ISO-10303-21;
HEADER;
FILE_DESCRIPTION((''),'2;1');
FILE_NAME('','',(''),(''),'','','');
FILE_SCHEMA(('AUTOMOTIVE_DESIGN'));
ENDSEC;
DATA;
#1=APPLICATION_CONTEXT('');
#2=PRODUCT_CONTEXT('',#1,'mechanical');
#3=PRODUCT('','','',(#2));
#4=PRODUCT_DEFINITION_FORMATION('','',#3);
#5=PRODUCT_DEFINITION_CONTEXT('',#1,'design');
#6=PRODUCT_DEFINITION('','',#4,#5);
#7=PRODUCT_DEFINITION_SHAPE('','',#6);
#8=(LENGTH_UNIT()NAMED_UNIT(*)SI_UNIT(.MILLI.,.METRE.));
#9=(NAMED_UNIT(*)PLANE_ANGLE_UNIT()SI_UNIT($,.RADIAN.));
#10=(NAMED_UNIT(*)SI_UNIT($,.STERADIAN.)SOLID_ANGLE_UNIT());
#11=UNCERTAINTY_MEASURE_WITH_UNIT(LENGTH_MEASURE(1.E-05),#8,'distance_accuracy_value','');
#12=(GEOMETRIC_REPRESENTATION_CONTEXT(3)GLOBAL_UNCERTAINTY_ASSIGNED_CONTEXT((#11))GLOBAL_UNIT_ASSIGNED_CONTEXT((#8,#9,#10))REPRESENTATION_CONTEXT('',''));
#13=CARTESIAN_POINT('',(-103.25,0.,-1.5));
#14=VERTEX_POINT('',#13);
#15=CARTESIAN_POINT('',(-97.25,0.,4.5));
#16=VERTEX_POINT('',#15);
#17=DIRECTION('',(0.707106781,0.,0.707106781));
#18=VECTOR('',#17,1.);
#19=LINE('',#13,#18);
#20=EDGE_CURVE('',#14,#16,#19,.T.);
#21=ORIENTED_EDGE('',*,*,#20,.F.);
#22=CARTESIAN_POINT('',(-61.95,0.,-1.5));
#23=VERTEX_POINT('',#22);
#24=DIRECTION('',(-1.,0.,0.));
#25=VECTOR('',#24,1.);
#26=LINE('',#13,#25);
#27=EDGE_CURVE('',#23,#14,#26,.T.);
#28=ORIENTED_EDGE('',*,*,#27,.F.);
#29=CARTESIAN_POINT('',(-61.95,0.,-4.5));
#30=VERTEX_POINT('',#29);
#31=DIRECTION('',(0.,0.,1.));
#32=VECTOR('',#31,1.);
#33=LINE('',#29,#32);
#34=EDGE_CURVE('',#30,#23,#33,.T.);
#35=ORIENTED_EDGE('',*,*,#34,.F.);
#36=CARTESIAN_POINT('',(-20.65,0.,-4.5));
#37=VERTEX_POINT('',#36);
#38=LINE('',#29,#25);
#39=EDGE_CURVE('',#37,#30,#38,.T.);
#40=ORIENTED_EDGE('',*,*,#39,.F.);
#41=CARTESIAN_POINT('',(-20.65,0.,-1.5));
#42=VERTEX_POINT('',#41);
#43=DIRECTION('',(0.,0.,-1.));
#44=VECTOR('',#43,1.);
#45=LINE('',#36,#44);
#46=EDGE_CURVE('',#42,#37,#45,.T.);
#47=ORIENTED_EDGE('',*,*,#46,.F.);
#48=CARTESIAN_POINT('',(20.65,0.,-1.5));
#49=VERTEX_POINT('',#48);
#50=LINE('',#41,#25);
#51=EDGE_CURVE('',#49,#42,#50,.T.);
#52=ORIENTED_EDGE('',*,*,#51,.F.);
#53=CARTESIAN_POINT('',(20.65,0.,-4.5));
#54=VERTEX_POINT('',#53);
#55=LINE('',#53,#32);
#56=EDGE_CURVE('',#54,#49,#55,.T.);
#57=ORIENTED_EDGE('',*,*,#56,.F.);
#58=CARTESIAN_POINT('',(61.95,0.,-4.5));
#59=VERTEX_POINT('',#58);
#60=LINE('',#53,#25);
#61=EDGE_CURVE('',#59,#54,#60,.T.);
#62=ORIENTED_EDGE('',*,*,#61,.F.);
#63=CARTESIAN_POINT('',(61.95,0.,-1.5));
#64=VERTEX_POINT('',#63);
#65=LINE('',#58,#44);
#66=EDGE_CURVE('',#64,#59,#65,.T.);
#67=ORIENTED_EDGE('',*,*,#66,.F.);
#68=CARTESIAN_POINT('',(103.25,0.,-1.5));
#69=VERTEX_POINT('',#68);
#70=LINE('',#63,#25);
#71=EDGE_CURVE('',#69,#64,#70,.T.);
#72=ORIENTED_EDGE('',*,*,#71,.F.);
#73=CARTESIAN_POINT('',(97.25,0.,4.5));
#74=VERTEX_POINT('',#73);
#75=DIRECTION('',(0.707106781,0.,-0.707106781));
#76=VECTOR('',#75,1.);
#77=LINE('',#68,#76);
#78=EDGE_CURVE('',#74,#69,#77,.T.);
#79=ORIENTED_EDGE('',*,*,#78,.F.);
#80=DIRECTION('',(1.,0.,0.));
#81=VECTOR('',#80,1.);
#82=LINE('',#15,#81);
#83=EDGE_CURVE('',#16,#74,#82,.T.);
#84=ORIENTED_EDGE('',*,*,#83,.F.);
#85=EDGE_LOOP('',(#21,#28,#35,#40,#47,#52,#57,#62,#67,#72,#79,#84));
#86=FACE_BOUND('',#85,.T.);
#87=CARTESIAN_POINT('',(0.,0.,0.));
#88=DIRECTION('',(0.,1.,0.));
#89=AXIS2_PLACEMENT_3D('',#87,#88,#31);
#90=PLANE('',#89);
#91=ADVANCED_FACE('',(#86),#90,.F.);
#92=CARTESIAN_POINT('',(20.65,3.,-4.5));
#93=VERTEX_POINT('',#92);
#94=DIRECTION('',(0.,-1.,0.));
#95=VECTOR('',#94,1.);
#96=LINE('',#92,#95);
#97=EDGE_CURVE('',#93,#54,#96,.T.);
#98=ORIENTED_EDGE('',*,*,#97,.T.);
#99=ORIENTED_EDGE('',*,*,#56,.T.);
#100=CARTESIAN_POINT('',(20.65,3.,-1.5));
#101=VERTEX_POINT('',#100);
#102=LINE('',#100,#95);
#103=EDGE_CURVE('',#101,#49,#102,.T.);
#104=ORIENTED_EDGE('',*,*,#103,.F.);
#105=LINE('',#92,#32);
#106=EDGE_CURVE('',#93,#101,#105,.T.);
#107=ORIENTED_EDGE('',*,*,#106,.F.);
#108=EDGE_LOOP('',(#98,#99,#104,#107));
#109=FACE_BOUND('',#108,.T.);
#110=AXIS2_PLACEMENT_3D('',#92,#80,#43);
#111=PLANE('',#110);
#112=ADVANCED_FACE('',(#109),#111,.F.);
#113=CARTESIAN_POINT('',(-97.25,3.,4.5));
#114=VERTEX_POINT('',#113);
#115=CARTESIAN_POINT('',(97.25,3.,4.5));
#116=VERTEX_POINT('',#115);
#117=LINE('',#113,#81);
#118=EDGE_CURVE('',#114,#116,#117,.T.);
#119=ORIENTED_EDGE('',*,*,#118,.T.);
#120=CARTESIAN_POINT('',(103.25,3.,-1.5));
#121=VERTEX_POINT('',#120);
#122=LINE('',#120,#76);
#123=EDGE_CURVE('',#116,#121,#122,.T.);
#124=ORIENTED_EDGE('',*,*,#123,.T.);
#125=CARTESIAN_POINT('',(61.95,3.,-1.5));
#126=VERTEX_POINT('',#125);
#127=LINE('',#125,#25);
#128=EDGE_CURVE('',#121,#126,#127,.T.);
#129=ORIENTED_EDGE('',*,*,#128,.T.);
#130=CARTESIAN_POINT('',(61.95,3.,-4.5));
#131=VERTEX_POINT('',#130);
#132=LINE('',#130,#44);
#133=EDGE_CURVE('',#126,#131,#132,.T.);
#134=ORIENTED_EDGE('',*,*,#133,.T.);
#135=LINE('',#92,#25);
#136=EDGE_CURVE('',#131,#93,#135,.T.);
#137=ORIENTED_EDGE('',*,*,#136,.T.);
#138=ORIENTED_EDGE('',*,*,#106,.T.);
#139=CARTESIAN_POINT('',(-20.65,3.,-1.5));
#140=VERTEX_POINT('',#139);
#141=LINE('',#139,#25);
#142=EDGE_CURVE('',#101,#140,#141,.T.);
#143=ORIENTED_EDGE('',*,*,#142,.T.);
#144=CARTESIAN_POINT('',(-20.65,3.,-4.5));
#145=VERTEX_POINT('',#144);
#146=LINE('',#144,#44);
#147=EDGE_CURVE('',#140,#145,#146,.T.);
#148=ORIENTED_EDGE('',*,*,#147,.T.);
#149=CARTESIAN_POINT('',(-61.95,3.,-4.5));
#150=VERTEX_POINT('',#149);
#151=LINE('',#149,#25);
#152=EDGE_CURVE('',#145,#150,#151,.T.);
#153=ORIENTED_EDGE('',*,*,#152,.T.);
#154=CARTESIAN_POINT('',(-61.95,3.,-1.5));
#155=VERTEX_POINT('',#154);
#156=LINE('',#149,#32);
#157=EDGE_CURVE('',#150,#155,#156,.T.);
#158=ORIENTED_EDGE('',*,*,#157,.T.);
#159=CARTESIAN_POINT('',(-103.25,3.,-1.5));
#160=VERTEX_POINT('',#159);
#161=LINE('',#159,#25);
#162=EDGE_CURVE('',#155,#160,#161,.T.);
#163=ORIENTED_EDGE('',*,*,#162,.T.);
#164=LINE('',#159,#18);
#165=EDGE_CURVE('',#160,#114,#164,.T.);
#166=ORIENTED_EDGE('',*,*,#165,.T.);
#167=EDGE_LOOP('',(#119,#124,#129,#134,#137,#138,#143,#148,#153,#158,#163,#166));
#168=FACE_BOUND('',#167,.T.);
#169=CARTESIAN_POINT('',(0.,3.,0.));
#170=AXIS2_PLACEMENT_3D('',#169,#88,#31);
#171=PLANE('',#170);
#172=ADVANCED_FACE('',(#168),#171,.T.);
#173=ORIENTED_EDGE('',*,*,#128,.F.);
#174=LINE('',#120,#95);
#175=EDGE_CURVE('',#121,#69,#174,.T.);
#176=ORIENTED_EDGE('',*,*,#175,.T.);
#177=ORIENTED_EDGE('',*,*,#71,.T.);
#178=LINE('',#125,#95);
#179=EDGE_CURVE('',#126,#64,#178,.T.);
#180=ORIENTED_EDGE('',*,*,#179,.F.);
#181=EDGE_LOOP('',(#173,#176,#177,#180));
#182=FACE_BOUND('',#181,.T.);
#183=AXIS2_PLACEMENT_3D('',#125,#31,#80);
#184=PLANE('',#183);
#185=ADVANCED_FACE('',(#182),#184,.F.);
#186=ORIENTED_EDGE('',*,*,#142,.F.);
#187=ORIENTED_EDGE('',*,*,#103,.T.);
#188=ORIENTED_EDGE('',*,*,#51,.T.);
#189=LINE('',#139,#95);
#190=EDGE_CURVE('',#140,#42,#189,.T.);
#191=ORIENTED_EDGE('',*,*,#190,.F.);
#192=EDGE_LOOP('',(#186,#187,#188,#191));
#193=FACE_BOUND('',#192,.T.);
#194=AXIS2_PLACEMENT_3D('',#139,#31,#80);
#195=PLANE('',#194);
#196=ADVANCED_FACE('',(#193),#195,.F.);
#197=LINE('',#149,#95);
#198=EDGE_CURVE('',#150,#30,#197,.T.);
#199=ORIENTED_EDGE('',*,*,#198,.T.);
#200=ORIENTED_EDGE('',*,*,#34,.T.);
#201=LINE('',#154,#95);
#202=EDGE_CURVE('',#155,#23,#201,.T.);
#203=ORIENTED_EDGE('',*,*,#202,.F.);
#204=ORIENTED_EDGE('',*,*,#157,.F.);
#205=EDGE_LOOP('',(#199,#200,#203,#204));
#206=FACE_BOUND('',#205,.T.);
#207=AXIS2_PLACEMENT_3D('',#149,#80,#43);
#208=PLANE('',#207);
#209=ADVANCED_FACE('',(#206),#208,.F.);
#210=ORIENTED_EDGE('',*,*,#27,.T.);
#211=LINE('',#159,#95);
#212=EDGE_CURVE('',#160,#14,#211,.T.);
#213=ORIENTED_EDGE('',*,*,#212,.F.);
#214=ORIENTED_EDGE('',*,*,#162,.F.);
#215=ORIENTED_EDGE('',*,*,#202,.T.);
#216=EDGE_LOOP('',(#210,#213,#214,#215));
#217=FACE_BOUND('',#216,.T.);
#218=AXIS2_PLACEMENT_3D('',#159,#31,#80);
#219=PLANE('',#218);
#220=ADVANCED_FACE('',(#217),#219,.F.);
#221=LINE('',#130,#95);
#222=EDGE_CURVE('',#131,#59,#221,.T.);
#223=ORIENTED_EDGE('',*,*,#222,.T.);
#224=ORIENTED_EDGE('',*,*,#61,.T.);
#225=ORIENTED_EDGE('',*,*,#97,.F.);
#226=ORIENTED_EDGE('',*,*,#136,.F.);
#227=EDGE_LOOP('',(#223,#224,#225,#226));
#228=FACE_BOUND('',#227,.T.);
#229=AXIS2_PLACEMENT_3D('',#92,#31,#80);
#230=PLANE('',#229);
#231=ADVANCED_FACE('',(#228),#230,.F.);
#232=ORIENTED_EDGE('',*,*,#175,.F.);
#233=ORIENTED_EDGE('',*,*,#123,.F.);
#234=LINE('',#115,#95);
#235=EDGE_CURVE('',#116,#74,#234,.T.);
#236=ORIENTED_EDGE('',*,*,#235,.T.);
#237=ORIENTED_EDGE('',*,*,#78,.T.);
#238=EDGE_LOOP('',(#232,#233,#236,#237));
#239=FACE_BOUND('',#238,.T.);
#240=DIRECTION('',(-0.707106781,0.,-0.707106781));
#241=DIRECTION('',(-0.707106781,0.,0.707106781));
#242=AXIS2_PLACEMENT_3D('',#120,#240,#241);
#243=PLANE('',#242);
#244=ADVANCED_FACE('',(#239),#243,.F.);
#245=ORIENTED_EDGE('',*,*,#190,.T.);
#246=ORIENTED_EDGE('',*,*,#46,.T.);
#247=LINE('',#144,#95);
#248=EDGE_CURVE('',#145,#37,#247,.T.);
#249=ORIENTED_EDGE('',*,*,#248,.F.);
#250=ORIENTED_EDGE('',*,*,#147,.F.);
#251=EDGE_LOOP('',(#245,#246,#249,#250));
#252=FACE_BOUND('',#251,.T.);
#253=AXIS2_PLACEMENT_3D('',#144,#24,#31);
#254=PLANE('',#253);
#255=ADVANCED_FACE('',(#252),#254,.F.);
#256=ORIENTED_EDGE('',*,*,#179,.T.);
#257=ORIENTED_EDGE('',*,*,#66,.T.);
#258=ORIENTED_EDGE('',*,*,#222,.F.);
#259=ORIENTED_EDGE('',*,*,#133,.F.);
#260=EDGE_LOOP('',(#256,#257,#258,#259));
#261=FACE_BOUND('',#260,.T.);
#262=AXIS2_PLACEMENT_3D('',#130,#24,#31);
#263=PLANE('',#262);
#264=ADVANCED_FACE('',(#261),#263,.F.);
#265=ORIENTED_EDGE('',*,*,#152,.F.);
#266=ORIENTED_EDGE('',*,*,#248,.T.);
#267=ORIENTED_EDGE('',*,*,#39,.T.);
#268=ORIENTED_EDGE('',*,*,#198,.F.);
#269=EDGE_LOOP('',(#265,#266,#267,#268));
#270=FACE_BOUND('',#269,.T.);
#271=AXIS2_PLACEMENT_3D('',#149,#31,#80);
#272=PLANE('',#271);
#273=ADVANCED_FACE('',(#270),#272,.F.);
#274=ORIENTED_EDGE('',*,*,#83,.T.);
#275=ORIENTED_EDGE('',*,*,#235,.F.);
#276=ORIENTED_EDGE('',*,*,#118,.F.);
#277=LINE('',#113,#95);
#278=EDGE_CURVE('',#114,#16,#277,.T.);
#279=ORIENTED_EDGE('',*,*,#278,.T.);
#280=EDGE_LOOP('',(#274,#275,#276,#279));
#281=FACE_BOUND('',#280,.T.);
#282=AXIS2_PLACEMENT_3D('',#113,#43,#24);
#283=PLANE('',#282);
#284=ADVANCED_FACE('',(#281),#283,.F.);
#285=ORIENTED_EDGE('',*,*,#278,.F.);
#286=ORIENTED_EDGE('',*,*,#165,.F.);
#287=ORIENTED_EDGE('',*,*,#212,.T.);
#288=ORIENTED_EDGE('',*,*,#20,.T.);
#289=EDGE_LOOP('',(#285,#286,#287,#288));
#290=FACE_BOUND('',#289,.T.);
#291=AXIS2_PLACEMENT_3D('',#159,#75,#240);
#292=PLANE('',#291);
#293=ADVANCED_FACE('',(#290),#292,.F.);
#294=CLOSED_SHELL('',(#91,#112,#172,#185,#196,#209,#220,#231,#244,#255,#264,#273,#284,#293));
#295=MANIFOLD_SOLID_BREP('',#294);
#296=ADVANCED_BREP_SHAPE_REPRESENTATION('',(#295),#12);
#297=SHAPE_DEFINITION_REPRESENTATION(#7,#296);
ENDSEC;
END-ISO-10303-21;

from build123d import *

# Parameters (mm, degrees)
BOSS_EXTRUDE1_DEPTH = 3


with BuildPart() as part:
    # Sketch1 → Boss-Extrude1 (new body)
    with BuildSketch(Plane(origin=(0, 0, 0), x_dir=(1, 0, 0), z_dir=(0, 1, 0))):
        Polygon((-61.95, 4.5), (-20.65, 4.5), (-20.65, 1.5), (20.65, 1.5), (20.65, 4.5), (61.95, 4.5), (61.95, 1.5), (103.25, 1.5), (97.25, -4.5), (-97.25, -4.5), (-103.25, 1.5), (-61.95, 1.5), align=None)
    extrude(amount=BOSS_EXTRUDE1_DEPTH)


solid = part.part
